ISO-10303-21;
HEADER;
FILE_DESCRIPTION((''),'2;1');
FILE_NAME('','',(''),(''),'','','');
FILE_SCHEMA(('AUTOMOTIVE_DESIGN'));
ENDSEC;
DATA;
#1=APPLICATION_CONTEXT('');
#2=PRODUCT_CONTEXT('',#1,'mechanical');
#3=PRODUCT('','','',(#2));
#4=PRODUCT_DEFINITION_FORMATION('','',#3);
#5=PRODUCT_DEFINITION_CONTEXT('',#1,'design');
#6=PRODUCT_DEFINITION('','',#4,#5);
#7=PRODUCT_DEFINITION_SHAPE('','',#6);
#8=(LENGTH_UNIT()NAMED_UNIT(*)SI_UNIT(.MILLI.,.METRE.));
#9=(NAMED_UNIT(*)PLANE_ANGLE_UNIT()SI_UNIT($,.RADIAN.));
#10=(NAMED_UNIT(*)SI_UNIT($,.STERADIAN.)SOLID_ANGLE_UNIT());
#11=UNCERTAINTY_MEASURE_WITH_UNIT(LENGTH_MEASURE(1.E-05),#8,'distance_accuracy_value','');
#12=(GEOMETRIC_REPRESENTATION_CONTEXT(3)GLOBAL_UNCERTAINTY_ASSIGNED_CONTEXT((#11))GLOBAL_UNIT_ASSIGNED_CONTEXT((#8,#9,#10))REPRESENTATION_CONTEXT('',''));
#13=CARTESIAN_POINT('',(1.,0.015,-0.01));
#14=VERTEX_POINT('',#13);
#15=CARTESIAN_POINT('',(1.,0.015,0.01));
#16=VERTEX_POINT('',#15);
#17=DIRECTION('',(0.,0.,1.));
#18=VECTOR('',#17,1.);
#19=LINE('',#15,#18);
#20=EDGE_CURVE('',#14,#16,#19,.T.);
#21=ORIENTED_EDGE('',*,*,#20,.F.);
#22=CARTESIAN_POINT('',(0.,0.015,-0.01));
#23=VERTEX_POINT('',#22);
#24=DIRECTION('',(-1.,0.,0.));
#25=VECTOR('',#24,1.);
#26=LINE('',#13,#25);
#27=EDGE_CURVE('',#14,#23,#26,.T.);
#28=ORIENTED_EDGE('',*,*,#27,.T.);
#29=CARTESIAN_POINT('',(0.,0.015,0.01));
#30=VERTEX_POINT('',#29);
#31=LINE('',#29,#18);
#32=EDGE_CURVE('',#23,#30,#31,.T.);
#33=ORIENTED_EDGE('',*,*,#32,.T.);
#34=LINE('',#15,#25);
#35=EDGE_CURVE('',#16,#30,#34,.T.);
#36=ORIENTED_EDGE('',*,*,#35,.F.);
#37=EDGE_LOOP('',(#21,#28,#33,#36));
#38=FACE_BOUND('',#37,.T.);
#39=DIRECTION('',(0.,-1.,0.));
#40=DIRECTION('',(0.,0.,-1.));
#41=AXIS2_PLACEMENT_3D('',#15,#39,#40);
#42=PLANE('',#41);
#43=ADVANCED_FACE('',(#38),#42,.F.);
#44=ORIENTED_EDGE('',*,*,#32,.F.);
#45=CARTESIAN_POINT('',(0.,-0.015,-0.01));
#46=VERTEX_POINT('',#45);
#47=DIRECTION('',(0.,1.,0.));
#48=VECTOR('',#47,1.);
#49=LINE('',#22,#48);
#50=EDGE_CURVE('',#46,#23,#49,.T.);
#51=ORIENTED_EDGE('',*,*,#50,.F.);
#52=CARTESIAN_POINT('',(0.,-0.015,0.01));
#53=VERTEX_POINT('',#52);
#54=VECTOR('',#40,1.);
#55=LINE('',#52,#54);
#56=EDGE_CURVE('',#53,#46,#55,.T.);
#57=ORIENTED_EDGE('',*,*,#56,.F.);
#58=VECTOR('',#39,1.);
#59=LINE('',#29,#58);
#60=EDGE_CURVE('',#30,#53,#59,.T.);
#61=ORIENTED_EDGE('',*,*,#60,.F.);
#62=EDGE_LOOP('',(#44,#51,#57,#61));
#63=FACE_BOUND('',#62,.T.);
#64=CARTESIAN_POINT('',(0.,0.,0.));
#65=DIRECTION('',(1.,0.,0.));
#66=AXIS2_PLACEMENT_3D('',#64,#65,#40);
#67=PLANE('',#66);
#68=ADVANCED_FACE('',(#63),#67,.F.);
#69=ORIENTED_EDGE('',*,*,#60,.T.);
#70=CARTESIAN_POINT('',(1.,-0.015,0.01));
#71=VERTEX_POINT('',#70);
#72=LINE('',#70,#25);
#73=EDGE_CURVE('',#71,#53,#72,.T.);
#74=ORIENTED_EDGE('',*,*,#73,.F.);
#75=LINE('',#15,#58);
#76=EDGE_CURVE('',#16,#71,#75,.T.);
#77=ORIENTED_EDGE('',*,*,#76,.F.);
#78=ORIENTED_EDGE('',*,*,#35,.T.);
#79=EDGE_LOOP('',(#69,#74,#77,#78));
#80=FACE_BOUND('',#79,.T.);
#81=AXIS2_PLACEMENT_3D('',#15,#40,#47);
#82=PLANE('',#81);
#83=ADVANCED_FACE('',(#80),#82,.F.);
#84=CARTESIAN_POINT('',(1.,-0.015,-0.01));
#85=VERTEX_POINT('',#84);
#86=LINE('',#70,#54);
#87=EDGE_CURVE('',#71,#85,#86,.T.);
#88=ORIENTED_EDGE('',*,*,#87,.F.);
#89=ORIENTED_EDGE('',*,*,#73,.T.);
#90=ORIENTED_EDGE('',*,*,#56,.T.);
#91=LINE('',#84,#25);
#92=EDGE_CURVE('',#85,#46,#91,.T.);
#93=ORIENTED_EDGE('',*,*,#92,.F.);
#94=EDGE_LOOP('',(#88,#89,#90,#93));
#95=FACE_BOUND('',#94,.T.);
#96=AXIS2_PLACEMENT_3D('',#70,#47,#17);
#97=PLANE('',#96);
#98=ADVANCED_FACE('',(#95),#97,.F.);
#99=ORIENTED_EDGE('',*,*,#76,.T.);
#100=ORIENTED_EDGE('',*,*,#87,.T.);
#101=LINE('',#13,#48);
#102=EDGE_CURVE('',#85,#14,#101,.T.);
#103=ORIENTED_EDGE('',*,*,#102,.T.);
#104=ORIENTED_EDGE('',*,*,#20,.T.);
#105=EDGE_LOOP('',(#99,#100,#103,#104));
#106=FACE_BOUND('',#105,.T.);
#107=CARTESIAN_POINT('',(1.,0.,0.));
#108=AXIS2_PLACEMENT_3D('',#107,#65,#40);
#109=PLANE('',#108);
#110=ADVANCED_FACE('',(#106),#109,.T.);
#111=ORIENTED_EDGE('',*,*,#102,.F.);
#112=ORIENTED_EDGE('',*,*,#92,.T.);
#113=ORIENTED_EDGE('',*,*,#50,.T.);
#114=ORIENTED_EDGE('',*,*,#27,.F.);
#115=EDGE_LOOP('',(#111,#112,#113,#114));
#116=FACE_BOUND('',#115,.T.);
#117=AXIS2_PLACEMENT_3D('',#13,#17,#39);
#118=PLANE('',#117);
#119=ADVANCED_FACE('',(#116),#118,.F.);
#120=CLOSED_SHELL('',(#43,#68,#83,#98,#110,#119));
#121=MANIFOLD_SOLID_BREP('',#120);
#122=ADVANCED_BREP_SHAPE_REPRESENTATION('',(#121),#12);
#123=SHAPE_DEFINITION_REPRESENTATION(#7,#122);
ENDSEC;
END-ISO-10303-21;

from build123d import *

# Parameters (mm, degrees)
SKETCH_2_W      = 0.02
SKETCH_2_H      = 0.03
EXTRUDE_2_DEPTH = 1


with BuildPart() as part:
    # 草图2 → 凸台-拉伸2 (new body)
    with BuildSketch(Plane(origin=(0, 0, 0), x_dir=(0, 0, -1), z_dir=(1, 0, 0))):
        Rectangle(SKETCH_2_W, SKETCH_2_H)
    extrude(amount=EXTRUDE_2_DEPTH)


solid = part.part
